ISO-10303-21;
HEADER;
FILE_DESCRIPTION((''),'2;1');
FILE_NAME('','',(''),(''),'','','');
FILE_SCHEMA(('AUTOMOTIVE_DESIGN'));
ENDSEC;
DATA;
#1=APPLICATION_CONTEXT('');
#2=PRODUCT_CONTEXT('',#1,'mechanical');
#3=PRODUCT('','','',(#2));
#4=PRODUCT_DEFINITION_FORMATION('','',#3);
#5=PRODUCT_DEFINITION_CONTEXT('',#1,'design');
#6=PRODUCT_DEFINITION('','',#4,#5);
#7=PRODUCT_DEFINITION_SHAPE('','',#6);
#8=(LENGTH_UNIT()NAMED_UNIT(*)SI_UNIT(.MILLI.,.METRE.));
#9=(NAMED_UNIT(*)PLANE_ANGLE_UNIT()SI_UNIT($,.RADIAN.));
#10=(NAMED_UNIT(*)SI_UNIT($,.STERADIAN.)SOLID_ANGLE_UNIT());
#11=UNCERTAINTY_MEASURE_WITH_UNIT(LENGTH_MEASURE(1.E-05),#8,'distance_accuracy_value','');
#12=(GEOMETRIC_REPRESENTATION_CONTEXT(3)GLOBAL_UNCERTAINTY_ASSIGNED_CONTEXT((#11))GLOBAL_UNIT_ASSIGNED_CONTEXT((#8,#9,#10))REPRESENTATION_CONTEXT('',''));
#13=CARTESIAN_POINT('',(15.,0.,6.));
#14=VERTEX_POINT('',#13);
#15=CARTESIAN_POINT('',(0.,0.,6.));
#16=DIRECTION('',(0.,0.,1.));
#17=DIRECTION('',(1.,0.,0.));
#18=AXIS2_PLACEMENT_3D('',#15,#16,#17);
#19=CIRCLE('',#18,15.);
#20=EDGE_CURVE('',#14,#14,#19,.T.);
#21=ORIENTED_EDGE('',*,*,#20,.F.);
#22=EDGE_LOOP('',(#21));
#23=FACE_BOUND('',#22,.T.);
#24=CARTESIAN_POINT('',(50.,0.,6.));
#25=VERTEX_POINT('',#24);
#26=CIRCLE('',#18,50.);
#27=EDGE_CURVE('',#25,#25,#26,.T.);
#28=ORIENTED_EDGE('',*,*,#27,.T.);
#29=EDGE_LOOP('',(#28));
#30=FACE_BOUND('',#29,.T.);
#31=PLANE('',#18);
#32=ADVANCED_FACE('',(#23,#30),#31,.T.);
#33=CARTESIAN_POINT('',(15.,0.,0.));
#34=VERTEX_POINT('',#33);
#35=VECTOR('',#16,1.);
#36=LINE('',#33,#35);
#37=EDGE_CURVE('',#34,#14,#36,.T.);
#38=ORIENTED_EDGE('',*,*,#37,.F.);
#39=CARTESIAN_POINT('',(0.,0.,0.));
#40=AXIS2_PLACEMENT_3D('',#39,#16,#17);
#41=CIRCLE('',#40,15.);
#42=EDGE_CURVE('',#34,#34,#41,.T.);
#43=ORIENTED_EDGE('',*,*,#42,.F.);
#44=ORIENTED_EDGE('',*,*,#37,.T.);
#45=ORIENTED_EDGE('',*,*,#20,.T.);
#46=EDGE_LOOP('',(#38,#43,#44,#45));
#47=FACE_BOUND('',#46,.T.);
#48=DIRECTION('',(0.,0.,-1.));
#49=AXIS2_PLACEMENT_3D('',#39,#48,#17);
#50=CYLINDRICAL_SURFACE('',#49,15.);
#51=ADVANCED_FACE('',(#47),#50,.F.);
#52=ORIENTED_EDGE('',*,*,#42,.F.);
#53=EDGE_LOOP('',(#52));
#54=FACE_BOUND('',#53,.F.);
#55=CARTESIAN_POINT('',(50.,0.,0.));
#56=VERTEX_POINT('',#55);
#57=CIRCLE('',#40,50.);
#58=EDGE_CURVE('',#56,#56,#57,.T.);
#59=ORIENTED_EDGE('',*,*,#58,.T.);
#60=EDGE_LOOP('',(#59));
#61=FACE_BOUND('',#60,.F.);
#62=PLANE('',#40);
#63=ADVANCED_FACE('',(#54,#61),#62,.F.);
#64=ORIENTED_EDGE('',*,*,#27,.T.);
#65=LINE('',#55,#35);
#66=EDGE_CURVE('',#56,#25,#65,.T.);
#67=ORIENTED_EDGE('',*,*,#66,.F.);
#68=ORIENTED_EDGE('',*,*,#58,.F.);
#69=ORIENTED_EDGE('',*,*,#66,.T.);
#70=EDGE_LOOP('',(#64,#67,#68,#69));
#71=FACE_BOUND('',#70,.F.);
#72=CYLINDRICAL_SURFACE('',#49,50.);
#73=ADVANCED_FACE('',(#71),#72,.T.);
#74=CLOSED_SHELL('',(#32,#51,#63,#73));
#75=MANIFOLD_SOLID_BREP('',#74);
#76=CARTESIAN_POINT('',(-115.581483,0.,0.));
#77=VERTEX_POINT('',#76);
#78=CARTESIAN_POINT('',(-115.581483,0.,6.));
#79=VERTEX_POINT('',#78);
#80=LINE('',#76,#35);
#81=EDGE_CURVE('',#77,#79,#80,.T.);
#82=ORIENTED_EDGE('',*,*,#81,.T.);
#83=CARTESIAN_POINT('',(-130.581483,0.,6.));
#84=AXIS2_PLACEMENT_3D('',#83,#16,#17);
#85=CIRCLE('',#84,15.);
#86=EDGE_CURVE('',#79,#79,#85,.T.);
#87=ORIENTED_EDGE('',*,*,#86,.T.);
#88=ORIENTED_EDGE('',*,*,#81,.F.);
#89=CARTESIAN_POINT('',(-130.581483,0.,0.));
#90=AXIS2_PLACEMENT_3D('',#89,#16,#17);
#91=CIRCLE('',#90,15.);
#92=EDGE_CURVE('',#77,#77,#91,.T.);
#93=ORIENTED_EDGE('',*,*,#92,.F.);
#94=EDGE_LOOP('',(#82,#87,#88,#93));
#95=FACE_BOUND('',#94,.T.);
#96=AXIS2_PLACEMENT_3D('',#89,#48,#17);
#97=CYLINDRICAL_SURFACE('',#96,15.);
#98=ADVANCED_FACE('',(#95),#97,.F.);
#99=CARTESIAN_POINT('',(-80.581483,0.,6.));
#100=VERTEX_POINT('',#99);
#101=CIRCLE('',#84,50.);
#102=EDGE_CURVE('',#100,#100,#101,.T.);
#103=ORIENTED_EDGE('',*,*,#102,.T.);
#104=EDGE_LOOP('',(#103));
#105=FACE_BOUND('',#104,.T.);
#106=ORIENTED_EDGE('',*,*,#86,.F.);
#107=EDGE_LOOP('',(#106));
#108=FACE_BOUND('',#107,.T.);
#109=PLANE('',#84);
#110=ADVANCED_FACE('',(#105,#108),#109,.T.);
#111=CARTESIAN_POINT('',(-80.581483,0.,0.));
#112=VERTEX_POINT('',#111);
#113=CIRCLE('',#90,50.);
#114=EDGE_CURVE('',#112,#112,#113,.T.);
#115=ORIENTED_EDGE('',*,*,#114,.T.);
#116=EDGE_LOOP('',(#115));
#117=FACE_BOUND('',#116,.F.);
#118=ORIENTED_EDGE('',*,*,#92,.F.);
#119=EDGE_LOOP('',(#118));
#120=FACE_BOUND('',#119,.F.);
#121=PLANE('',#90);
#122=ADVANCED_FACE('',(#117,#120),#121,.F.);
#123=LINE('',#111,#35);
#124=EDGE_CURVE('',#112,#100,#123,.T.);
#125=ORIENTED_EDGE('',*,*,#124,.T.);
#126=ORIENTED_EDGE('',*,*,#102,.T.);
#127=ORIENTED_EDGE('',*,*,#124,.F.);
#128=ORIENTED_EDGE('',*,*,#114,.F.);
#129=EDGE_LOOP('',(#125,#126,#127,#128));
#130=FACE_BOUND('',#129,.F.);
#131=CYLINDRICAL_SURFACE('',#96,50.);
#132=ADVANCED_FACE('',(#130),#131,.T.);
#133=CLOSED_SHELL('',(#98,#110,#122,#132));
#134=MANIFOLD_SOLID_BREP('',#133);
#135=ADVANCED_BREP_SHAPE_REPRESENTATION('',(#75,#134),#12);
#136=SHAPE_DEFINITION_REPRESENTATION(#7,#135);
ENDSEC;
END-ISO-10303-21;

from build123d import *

# Parameters (mm, degrees)
F0_R     = 50
F0_R_2   = 15
F1_DEPTH = 6


with BuildPart() as f1:
    # F0 (on Top) → F1 (new body)
    with BuildSketch(Plane.XY):
        Circle(F0_R)
        Circle(F0_R_2, mode=Mode.SUBTRACT)
        with Locations((-130.581483, 0)):
            Circle(F0_R)
        with Locations((-130.581483, 0)):
            Circle(F0_R_2, mode=Mode.SUBTRACT)
    extrude(amount=F1_DEPTH)


solid = f1.part
